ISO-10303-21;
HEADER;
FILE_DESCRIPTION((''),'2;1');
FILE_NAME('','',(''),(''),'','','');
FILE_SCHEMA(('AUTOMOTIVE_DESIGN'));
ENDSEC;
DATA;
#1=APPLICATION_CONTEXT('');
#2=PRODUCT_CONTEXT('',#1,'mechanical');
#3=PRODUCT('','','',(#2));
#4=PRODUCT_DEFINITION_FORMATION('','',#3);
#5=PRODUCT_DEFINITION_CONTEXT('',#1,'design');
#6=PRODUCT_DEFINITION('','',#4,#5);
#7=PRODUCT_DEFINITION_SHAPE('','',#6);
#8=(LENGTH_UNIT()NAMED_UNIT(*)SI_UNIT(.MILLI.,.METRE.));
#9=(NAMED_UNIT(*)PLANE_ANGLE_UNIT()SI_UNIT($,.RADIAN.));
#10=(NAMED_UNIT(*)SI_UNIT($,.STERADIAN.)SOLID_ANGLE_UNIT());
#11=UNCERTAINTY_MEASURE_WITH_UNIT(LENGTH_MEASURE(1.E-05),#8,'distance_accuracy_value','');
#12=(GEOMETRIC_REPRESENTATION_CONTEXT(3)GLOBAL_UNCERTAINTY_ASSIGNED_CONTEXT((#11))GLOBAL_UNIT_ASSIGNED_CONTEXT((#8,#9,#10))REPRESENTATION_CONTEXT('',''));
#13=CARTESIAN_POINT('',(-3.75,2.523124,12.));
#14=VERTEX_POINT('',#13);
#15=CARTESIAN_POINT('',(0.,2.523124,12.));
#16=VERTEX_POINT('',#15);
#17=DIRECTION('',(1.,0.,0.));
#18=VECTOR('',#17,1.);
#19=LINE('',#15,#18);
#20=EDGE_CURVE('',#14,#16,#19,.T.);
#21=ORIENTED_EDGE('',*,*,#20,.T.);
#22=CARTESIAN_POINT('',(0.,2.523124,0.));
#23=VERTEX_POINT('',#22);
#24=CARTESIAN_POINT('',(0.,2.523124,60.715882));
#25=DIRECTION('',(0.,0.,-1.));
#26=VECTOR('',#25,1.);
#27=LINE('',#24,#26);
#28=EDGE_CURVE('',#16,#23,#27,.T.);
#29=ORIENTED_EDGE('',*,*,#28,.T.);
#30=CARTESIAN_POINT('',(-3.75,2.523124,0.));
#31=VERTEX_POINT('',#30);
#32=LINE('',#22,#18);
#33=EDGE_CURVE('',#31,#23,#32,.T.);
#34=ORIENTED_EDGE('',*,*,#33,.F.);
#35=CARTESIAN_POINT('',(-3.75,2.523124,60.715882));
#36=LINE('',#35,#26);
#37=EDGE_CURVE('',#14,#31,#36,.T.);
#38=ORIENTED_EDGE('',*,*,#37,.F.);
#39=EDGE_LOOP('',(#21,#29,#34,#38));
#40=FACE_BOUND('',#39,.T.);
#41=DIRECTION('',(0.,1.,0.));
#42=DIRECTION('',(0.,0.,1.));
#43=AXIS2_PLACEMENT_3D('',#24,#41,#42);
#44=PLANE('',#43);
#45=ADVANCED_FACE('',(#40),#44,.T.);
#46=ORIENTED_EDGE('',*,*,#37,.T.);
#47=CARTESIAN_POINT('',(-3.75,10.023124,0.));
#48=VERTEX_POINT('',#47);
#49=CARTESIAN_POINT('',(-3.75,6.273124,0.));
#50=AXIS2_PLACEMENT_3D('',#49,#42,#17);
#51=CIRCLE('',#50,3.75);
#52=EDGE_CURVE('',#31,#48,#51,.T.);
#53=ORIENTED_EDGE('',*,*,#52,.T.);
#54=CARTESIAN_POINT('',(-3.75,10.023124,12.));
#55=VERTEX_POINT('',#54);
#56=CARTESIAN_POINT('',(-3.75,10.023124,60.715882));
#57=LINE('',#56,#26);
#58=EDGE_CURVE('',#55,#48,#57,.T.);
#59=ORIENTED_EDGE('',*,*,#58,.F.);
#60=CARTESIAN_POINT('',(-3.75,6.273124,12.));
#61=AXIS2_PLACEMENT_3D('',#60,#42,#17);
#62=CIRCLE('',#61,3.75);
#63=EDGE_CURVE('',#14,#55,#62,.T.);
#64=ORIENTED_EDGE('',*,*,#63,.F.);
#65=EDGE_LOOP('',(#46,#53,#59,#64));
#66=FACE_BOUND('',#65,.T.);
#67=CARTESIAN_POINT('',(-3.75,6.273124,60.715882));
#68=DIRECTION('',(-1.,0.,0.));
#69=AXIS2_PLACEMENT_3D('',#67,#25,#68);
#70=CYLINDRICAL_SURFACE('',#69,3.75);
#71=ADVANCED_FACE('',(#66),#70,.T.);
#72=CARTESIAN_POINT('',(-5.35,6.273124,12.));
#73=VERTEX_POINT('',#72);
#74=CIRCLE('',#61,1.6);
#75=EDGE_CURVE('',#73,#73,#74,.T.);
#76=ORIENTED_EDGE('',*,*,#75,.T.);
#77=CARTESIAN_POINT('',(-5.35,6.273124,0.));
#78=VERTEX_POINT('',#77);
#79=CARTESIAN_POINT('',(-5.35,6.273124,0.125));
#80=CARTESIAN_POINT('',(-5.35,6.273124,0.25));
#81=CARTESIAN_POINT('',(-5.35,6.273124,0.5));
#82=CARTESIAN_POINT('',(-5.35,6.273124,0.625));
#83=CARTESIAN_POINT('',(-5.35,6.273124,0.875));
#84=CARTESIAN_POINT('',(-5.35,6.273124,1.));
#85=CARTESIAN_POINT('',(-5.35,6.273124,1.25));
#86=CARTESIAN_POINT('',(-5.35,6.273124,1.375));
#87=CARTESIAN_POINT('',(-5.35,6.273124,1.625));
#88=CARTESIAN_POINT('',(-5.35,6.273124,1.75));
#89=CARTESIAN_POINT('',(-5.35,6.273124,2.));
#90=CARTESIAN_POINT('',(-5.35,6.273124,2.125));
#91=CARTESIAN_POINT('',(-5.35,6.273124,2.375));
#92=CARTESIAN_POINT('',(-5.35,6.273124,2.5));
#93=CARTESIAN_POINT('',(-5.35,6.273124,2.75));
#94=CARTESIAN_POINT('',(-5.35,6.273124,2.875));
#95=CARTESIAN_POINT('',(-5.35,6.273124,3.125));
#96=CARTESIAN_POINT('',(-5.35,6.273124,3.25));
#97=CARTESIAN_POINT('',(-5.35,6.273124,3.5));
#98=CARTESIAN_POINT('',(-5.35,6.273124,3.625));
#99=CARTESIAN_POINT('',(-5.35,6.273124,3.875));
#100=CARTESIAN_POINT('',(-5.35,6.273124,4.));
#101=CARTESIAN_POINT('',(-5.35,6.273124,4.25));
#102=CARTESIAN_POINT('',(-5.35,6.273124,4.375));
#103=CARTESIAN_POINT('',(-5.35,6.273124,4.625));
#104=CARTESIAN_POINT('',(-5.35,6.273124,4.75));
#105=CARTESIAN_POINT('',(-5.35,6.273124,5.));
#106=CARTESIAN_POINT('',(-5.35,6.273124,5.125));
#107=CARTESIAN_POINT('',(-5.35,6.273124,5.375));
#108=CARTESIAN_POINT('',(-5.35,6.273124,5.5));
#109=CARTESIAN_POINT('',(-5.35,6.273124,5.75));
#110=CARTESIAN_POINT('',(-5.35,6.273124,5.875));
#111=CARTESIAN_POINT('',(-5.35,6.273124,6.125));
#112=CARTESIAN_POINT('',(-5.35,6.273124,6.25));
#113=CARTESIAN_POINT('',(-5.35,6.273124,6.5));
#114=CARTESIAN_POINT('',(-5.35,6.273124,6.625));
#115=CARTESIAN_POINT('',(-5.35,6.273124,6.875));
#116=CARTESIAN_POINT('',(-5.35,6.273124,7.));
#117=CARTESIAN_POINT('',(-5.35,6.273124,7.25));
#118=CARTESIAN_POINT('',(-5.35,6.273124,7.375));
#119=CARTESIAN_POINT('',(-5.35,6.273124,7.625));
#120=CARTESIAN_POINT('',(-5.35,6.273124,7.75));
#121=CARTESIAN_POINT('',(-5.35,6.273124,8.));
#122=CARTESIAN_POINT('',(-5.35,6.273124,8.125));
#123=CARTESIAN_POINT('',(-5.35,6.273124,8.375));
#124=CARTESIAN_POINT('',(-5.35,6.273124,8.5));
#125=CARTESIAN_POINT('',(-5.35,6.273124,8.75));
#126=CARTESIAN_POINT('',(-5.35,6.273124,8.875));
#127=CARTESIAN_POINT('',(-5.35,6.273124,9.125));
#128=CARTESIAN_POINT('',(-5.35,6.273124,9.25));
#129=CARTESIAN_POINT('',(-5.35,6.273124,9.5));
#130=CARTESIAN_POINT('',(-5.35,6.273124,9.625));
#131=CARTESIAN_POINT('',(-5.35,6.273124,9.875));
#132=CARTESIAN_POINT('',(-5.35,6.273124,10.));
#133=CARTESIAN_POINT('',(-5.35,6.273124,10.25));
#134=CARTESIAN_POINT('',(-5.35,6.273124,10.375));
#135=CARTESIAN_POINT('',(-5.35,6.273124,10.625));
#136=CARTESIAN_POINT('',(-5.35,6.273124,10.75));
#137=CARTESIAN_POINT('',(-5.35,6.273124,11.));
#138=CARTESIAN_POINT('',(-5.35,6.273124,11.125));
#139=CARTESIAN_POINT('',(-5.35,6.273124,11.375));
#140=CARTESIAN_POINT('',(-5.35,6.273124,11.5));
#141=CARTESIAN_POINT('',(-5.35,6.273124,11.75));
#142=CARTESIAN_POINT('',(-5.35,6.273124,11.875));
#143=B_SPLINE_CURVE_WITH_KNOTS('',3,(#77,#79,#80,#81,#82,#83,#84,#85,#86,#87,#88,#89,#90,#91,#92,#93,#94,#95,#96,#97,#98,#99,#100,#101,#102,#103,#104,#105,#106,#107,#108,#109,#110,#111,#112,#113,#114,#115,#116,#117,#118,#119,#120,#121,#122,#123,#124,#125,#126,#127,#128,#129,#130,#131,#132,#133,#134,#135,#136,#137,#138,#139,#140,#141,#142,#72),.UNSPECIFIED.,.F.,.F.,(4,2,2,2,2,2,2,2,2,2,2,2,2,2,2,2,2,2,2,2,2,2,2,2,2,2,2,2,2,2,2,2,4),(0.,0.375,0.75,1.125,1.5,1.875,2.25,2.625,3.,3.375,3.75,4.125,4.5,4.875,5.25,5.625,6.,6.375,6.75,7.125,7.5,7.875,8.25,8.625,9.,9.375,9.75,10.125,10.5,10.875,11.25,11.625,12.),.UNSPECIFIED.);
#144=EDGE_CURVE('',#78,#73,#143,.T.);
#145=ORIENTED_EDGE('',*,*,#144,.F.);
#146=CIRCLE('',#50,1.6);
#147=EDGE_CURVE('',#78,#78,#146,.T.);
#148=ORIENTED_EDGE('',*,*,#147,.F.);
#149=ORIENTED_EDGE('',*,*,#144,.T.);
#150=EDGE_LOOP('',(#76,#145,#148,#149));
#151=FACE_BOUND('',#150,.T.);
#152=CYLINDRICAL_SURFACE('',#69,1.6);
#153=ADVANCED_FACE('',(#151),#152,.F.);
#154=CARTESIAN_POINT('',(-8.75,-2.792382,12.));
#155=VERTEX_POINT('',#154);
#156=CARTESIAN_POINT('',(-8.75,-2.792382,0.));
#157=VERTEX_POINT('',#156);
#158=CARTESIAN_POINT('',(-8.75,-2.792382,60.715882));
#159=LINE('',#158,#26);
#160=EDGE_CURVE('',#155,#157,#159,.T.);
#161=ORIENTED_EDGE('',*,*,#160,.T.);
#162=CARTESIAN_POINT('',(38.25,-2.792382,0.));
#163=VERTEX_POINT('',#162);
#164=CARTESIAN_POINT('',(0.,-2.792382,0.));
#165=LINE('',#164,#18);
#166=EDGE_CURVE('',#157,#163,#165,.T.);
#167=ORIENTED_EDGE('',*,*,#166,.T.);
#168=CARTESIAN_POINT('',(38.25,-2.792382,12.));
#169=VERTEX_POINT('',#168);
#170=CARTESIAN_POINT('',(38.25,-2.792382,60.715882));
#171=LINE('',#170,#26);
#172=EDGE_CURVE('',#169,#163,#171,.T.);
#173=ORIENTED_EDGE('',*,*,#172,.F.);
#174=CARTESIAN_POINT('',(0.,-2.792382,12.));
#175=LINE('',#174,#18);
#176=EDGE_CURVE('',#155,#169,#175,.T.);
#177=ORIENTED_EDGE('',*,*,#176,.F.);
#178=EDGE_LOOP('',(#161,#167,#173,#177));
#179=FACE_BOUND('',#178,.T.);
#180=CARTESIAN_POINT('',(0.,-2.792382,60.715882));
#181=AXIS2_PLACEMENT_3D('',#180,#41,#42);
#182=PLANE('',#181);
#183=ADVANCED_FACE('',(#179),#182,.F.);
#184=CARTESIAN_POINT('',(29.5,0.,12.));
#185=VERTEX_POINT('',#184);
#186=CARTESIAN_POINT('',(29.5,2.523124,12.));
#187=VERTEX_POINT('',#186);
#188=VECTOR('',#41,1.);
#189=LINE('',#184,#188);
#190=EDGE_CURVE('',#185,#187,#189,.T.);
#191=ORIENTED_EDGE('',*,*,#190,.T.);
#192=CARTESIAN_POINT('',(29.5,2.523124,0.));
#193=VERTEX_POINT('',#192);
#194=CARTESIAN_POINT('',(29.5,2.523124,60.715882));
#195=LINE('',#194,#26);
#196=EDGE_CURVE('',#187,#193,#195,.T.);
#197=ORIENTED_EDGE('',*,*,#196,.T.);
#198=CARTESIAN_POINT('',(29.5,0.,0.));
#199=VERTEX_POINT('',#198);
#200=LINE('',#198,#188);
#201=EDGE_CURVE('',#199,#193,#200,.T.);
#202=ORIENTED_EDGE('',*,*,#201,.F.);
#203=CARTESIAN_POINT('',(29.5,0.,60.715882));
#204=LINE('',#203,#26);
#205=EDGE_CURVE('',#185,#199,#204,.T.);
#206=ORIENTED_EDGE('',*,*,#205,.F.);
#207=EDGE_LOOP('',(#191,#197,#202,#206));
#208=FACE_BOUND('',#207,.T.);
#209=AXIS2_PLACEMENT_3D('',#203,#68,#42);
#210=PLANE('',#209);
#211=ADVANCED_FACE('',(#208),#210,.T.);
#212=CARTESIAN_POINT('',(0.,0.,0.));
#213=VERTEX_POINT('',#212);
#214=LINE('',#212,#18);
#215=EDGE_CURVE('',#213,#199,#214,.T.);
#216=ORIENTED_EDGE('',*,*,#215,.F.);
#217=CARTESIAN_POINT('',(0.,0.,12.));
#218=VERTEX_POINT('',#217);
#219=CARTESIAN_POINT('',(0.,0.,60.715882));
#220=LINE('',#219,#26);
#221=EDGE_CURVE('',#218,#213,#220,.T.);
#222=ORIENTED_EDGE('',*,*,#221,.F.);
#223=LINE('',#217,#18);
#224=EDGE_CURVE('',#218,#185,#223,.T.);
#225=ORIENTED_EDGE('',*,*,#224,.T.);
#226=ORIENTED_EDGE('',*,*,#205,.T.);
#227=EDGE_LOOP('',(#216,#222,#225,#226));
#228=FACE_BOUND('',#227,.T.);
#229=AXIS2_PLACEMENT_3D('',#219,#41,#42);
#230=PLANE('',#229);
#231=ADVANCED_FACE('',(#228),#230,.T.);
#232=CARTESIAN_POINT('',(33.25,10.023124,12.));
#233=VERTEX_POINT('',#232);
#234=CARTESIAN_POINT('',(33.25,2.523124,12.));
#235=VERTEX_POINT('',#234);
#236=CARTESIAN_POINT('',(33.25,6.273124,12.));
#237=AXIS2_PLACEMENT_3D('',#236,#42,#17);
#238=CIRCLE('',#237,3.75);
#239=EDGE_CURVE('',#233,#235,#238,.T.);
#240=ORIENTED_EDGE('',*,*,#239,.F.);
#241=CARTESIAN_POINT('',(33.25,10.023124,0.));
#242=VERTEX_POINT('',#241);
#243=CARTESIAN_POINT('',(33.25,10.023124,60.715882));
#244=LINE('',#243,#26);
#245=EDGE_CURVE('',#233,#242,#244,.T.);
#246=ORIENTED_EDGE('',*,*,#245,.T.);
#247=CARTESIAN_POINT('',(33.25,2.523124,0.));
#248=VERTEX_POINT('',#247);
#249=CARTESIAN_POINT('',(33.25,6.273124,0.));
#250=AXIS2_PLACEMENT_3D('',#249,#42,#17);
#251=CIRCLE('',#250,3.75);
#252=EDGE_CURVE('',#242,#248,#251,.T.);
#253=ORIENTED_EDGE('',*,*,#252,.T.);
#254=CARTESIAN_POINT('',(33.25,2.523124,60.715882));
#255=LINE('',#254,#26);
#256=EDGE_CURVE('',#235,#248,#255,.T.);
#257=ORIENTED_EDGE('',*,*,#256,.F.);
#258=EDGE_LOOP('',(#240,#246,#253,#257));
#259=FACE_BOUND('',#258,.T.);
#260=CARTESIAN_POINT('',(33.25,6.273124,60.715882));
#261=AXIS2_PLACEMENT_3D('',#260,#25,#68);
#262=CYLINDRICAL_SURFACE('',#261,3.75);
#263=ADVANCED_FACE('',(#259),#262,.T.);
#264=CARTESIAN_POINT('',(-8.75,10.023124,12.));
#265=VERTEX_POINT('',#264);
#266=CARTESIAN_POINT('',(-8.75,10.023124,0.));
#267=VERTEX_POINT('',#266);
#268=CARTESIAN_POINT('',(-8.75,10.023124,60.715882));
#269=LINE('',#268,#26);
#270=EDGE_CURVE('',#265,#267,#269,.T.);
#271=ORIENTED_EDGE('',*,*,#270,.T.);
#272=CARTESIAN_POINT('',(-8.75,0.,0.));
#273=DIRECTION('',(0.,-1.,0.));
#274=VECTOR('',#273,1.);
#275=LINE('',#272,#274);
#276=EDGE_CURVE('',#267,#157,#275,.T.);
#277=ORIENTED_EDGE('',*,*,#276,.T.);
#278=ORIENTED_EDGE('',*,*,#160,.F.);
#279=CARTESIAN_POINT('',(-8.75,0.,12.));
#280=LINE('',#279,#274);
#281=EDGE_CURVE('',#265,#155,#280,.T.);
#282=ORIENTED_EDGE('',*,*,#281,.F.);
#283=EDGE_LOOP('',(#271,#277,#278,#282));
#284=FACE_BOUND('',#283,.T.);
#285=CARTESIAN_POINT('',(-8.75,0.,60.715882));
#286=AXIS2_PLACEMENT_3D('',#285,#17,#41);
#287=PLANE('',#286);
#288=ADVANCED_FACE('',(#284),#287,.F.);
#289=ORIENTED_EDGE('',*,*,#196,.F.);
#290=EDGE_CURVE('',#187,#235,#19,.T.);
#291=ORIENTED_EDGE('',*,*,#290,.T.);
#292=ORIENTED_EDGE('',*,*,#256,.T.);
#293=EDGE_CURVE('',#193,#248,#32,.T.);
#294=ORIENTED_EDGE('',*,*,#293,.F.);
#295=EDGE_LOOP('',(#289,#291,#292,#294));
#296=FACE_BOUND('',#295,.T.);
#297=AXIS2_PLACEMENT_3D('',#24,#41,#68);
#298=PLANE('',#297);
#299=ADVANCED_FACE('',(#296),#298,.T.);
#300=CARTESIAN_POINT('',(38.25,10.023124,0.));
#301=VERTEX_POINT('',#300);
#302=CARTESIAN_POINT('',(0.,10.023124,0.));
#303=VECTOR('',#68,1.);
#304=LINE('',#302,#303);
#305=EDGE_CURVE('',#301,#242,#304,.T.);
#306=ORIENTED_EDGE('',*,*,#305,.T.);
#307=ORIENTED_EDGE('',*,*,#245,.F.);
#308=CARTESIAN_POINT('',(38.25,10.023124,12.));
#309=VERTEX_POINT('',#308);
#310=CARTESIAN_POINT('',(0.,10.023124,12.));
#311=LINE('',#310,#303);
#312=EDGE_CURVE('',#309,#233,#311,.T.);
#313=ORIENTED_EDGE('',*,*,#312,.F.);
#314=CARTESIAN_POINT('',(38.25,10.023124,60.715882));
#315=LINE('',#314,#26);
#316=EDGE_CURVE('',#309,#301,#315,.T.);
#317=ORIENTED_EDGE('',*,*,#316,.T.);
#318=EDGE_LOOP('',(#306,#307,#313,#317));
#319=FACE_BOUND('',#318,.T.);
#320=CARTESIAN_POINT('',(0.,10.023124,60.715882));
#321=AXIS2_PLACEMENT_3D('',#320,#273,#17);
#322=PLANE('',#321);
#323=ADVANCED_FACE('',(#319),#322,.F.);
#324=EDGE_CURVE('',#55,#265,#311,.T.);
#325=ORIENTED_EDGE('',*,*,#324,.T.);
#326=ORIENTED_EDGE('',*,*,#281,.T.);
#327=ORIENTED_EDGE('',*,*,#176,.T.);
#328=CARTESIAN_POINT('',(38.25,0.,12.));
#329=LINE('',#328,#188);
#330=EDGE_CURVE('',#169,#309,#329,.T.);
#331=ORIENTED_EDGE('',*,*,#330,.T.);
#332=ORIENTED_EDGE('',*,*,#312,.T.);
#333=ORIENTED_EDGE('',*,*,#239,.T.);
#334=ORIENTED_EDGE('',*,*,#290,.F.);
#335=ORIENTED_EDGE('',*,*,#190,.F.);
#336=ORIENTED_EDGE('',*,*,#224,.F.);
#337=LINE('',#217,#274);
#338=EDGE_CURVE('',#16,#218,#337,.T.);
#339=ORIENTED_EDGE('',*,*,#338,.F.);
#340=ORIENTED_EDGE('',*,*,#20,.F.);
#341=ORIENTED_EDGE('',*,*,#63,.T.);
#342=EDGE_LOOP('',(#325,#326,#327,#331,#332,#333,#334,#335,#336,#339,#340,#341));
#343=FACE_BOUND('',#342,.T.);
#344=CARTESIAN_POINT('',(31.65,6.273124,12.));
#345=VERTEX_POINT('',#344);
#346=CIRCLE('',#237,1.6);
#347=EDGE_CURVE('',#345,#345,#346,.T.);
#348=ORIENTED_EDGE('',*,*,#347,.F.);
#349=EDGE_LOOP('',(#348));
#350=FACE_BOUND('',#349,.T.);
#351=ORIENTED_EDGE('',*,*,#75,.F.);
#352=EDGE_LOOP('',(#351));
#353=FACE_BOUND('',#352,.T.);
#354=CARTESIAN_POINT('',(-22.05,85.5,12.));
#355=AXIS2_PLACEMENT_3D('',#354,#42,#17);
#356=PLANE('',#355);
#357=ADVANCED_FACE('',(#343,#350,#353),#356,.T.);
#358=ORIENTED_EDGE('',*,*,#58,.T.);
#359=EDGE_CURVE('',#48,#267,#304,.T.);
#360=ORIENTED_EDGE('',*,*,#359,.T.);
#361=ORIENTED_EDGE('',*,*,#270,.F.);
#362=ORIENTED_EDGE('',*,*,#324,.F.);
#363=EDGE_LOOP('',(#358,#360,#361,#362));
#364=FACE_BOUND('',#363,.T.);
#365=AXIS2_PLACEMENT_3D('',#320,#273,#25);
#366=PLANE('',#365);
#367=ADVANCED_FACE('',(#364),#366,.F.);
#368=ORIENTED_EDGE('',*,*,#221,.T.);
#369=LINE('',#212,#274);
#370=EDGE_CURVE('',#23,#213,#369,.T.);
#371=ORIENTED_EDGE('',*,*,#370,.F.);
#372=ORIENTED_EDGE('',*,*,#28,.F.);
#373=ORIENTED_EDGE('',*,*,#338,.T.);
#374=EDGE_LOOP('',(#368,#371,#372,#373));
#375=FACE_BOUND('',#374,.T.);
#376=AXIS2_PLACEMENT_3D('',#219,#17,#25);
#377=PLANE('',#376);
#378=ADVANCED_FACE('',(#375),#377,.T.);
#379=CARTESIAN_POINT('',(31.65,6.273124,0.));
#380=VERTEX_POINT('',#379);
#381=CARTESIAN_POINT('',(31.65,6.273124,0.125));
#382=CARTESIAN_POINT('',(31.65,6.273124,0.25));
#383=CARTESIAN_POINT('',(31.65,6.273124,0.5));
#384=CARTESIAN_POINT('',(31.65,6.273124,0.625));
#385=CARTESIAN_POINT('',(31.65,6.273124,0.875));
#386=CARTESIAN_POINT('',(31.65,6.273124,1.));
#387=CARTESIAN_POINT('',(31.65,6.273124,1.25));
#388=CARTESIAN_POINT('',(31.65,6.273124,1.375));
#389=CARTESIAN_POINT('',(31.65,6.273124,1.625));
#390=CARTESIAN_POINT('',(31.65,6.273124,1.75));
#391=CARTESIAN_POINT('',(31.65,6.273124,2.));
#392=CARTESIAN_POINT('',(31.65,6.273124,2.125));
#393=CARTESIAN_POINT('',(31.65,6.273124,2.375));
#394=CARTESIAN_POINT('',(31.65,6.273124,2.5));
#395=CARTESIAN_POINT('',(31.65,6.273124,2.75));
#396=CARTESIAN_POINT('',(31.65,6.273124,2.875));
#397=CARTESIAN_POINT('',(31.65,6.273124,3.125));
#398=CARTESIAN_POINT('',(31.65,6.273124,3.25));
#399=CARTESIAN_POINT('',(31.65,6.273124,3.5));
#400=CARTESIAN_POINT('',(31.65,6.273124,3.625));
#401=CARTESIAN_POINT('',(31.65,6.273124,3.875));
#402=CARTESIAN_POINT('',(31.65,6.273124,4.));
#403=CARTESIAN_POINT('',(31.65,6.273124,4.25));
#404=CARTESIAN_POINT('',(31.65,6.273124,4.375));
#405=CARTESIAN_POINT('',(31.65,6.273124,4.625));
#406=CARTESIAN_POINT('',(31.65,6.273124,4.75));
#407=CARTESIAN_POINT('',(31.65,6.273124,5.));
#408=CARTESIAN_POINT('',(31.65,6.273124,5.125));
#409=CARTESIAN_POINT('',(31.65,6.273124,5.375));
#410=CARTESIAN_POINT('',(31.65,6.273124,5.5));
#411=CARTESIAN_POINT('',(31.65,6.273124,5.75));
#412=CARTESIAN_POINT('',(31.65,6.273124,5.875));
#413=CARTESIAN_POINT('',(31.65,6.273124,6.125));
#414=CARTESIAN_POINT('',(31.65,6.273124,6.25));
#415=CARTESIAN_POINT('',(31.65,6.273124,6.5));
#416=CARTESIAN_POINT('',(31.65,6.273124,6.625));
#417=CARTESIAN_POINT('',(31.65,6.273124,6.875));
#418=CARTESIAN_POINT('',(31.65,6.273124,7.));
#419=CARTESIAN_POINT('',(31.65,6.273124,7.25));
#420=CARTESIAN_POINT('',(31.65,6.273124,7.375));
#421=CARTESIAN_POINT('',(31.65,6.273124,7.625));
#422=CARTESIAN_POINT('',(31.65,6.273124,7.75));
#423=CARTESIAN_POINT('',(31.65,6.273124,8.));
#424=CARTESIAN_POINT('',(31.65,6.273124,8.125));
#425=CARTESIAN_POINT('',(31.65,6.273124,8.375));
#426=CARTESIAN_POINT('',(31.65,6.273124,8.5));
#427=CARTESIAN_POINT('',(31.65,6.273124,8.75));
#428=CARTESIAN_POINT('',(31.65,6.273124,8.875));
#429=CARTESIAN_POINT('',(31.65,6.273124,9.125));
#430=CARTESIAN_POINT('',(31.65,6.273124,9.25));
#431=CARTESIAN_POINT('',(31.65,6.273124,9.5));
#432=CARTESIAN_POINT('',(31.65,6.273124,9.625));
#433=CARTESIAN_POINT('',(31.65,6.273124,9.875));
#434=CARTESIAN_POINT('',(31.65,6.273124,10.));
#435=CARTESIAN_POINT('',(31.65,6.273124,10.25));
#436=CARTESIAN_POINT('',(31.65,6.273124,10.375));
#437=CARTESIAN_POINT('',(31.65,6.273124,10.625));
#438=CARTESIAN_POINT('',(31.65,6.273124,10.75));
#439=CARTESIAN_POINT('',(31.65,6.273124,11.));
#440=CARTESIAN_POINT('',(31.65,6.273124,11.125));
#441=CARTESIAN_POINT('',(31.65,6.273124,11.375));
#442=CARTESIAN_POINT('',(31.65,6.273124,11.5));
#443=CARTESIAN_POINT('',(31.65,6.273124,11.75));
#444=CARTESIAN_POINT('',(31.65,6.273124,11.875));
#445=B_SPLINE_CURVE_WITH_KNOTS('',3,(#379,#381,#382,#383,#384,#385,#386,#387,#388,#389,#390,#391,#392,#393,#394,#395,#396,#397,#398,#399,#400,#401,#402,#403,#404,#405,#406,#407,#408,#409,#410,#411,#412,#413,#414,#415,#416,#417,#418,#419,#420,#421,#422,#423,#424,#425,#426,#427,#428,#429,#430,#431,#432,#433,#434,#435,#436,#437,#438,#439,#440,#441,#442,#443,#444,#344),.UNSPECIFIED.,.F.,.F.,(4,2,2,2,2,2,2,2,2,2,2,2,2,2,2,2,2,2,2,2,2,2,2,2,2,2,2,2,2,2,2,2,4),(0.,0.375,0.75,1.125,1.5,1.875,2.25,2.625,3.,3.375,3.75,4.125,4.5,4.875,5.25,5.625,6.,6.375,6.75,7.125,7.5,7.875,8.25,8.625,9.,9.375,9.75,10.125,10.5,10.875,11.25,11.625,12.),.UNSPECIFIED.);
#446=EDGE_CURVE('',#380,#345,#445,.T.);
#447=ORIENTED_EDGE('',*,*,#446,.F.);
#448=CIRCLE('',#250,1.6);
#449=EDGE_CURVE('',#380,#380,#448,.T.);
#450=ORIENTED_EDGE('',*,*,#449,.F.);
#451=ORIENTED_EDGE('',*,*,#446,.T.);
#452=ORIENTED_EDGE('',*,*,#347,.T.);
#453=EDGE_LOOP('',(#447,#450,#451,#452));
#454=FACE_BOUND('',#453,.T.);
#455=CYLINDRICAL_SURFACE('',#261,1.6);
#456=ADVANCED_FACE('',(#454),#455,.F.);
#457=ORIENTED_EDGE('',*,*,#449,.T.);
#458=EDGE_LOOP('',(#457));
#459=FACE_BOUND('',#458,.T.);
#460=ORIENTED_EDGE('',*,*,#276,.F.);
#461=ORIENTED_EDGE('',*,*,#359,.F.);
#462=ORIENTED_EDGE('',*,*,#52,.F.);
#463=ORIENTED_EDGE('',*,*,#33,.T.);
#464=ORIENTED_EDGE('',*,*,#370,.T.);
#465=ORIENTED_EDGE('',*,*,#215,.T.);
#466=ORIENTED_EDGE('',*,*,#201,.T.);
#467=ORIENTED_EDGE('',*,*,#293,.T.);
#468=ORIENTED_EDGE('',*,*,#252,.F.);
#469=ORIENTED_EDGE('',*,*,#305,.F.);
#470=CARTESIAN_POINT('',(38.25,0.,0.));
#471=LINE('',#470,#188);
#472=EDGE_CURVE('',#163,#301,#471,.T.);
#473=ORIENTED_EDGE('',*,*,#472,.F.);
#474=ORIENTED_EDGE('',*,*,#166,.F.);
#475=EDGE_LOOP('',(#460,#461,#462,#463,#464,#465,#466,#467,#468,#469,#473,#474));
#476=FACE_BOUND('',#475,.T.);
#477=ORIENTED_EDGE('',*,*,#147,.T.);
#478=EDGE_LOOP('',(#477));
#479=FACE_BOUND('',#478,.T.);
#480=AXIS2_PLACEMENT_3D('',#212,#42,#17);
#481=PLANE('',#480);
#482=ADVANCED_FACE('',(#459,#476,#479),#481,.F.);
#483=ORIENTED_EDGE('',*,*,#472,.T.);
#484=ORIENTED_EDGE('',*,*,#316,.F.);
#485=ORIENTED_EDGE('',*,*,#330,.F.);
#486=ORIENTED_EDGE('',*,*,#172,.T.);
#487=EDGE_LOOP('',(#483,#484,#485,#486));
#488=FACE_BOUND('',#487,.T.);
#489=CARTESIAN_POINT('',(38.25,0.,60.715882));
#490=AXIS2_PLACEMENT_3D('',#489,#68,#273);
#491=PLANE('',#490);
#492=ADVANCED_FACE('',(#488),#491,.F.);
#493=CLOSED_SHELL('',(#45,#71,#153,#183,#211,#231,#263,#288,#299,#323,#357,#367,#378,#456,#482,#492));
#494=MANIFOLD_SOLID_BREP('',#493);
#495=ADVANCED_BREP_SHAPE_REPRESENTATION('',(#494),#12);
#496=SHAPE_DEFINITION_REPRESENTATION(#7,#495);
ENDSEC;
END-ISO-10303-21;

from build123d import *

# Parameters (mm, degrees)
SKETCH1_R           = 1.6
BOSS_EXTRUDE1_DEPTH = 12


with BuildPart() as part:
    # Sketch1 → Boss-Extrude1 (new body)
    with BuildSketch(Plane.XY):
        with BuildLine():
            ThreePointArc((-3.75, 2.523123532), (0, 6.273123532), (-3.75, 10.023123532))
            Line((-3.75, 10.023123532), (-8.75, 10.023123532))
            Line((-8.75, 10.023123532), (-8.75, -2.792382112))
            Line((-8.75, -2.792382112), (38.25, -2.792382112))
            Line((38.25, -2.792382112), (38.25, 10.023123532))
            Line((38.25, 10.023123532), (33.25, 10.023123532))
            ThreePointArc((33.25, 10.023123532), (29.5, 6.273123532), (33.25, 2.523123532))
            Line((33.25, 2.523123532), (29.5, 2.523123532))
            Line((29.5, 2.523123532), (29.5, 0))
            Line((29.5, 0), (0, 0))
            Line((0, 0), (0, 2.523123532))
            Line((0, 2.523123532), (-3.75, 2.523123532))
        make_face()
        with Locations(Location((-3.75, 6.273123532, 0), (0, 0, 180))):
            Circle(SKETCH1_R, mode=Mode.SUBTRACT)
        with Locations(Location((33.25, 6.273123532, 0), (0, 0, 180))):
            Circle(SKETCH1_R, mode=Mode.SUBTRACT)
    extrude(amount=BOSS_EXTRUDE1_DEPTH)


solid = part.part
